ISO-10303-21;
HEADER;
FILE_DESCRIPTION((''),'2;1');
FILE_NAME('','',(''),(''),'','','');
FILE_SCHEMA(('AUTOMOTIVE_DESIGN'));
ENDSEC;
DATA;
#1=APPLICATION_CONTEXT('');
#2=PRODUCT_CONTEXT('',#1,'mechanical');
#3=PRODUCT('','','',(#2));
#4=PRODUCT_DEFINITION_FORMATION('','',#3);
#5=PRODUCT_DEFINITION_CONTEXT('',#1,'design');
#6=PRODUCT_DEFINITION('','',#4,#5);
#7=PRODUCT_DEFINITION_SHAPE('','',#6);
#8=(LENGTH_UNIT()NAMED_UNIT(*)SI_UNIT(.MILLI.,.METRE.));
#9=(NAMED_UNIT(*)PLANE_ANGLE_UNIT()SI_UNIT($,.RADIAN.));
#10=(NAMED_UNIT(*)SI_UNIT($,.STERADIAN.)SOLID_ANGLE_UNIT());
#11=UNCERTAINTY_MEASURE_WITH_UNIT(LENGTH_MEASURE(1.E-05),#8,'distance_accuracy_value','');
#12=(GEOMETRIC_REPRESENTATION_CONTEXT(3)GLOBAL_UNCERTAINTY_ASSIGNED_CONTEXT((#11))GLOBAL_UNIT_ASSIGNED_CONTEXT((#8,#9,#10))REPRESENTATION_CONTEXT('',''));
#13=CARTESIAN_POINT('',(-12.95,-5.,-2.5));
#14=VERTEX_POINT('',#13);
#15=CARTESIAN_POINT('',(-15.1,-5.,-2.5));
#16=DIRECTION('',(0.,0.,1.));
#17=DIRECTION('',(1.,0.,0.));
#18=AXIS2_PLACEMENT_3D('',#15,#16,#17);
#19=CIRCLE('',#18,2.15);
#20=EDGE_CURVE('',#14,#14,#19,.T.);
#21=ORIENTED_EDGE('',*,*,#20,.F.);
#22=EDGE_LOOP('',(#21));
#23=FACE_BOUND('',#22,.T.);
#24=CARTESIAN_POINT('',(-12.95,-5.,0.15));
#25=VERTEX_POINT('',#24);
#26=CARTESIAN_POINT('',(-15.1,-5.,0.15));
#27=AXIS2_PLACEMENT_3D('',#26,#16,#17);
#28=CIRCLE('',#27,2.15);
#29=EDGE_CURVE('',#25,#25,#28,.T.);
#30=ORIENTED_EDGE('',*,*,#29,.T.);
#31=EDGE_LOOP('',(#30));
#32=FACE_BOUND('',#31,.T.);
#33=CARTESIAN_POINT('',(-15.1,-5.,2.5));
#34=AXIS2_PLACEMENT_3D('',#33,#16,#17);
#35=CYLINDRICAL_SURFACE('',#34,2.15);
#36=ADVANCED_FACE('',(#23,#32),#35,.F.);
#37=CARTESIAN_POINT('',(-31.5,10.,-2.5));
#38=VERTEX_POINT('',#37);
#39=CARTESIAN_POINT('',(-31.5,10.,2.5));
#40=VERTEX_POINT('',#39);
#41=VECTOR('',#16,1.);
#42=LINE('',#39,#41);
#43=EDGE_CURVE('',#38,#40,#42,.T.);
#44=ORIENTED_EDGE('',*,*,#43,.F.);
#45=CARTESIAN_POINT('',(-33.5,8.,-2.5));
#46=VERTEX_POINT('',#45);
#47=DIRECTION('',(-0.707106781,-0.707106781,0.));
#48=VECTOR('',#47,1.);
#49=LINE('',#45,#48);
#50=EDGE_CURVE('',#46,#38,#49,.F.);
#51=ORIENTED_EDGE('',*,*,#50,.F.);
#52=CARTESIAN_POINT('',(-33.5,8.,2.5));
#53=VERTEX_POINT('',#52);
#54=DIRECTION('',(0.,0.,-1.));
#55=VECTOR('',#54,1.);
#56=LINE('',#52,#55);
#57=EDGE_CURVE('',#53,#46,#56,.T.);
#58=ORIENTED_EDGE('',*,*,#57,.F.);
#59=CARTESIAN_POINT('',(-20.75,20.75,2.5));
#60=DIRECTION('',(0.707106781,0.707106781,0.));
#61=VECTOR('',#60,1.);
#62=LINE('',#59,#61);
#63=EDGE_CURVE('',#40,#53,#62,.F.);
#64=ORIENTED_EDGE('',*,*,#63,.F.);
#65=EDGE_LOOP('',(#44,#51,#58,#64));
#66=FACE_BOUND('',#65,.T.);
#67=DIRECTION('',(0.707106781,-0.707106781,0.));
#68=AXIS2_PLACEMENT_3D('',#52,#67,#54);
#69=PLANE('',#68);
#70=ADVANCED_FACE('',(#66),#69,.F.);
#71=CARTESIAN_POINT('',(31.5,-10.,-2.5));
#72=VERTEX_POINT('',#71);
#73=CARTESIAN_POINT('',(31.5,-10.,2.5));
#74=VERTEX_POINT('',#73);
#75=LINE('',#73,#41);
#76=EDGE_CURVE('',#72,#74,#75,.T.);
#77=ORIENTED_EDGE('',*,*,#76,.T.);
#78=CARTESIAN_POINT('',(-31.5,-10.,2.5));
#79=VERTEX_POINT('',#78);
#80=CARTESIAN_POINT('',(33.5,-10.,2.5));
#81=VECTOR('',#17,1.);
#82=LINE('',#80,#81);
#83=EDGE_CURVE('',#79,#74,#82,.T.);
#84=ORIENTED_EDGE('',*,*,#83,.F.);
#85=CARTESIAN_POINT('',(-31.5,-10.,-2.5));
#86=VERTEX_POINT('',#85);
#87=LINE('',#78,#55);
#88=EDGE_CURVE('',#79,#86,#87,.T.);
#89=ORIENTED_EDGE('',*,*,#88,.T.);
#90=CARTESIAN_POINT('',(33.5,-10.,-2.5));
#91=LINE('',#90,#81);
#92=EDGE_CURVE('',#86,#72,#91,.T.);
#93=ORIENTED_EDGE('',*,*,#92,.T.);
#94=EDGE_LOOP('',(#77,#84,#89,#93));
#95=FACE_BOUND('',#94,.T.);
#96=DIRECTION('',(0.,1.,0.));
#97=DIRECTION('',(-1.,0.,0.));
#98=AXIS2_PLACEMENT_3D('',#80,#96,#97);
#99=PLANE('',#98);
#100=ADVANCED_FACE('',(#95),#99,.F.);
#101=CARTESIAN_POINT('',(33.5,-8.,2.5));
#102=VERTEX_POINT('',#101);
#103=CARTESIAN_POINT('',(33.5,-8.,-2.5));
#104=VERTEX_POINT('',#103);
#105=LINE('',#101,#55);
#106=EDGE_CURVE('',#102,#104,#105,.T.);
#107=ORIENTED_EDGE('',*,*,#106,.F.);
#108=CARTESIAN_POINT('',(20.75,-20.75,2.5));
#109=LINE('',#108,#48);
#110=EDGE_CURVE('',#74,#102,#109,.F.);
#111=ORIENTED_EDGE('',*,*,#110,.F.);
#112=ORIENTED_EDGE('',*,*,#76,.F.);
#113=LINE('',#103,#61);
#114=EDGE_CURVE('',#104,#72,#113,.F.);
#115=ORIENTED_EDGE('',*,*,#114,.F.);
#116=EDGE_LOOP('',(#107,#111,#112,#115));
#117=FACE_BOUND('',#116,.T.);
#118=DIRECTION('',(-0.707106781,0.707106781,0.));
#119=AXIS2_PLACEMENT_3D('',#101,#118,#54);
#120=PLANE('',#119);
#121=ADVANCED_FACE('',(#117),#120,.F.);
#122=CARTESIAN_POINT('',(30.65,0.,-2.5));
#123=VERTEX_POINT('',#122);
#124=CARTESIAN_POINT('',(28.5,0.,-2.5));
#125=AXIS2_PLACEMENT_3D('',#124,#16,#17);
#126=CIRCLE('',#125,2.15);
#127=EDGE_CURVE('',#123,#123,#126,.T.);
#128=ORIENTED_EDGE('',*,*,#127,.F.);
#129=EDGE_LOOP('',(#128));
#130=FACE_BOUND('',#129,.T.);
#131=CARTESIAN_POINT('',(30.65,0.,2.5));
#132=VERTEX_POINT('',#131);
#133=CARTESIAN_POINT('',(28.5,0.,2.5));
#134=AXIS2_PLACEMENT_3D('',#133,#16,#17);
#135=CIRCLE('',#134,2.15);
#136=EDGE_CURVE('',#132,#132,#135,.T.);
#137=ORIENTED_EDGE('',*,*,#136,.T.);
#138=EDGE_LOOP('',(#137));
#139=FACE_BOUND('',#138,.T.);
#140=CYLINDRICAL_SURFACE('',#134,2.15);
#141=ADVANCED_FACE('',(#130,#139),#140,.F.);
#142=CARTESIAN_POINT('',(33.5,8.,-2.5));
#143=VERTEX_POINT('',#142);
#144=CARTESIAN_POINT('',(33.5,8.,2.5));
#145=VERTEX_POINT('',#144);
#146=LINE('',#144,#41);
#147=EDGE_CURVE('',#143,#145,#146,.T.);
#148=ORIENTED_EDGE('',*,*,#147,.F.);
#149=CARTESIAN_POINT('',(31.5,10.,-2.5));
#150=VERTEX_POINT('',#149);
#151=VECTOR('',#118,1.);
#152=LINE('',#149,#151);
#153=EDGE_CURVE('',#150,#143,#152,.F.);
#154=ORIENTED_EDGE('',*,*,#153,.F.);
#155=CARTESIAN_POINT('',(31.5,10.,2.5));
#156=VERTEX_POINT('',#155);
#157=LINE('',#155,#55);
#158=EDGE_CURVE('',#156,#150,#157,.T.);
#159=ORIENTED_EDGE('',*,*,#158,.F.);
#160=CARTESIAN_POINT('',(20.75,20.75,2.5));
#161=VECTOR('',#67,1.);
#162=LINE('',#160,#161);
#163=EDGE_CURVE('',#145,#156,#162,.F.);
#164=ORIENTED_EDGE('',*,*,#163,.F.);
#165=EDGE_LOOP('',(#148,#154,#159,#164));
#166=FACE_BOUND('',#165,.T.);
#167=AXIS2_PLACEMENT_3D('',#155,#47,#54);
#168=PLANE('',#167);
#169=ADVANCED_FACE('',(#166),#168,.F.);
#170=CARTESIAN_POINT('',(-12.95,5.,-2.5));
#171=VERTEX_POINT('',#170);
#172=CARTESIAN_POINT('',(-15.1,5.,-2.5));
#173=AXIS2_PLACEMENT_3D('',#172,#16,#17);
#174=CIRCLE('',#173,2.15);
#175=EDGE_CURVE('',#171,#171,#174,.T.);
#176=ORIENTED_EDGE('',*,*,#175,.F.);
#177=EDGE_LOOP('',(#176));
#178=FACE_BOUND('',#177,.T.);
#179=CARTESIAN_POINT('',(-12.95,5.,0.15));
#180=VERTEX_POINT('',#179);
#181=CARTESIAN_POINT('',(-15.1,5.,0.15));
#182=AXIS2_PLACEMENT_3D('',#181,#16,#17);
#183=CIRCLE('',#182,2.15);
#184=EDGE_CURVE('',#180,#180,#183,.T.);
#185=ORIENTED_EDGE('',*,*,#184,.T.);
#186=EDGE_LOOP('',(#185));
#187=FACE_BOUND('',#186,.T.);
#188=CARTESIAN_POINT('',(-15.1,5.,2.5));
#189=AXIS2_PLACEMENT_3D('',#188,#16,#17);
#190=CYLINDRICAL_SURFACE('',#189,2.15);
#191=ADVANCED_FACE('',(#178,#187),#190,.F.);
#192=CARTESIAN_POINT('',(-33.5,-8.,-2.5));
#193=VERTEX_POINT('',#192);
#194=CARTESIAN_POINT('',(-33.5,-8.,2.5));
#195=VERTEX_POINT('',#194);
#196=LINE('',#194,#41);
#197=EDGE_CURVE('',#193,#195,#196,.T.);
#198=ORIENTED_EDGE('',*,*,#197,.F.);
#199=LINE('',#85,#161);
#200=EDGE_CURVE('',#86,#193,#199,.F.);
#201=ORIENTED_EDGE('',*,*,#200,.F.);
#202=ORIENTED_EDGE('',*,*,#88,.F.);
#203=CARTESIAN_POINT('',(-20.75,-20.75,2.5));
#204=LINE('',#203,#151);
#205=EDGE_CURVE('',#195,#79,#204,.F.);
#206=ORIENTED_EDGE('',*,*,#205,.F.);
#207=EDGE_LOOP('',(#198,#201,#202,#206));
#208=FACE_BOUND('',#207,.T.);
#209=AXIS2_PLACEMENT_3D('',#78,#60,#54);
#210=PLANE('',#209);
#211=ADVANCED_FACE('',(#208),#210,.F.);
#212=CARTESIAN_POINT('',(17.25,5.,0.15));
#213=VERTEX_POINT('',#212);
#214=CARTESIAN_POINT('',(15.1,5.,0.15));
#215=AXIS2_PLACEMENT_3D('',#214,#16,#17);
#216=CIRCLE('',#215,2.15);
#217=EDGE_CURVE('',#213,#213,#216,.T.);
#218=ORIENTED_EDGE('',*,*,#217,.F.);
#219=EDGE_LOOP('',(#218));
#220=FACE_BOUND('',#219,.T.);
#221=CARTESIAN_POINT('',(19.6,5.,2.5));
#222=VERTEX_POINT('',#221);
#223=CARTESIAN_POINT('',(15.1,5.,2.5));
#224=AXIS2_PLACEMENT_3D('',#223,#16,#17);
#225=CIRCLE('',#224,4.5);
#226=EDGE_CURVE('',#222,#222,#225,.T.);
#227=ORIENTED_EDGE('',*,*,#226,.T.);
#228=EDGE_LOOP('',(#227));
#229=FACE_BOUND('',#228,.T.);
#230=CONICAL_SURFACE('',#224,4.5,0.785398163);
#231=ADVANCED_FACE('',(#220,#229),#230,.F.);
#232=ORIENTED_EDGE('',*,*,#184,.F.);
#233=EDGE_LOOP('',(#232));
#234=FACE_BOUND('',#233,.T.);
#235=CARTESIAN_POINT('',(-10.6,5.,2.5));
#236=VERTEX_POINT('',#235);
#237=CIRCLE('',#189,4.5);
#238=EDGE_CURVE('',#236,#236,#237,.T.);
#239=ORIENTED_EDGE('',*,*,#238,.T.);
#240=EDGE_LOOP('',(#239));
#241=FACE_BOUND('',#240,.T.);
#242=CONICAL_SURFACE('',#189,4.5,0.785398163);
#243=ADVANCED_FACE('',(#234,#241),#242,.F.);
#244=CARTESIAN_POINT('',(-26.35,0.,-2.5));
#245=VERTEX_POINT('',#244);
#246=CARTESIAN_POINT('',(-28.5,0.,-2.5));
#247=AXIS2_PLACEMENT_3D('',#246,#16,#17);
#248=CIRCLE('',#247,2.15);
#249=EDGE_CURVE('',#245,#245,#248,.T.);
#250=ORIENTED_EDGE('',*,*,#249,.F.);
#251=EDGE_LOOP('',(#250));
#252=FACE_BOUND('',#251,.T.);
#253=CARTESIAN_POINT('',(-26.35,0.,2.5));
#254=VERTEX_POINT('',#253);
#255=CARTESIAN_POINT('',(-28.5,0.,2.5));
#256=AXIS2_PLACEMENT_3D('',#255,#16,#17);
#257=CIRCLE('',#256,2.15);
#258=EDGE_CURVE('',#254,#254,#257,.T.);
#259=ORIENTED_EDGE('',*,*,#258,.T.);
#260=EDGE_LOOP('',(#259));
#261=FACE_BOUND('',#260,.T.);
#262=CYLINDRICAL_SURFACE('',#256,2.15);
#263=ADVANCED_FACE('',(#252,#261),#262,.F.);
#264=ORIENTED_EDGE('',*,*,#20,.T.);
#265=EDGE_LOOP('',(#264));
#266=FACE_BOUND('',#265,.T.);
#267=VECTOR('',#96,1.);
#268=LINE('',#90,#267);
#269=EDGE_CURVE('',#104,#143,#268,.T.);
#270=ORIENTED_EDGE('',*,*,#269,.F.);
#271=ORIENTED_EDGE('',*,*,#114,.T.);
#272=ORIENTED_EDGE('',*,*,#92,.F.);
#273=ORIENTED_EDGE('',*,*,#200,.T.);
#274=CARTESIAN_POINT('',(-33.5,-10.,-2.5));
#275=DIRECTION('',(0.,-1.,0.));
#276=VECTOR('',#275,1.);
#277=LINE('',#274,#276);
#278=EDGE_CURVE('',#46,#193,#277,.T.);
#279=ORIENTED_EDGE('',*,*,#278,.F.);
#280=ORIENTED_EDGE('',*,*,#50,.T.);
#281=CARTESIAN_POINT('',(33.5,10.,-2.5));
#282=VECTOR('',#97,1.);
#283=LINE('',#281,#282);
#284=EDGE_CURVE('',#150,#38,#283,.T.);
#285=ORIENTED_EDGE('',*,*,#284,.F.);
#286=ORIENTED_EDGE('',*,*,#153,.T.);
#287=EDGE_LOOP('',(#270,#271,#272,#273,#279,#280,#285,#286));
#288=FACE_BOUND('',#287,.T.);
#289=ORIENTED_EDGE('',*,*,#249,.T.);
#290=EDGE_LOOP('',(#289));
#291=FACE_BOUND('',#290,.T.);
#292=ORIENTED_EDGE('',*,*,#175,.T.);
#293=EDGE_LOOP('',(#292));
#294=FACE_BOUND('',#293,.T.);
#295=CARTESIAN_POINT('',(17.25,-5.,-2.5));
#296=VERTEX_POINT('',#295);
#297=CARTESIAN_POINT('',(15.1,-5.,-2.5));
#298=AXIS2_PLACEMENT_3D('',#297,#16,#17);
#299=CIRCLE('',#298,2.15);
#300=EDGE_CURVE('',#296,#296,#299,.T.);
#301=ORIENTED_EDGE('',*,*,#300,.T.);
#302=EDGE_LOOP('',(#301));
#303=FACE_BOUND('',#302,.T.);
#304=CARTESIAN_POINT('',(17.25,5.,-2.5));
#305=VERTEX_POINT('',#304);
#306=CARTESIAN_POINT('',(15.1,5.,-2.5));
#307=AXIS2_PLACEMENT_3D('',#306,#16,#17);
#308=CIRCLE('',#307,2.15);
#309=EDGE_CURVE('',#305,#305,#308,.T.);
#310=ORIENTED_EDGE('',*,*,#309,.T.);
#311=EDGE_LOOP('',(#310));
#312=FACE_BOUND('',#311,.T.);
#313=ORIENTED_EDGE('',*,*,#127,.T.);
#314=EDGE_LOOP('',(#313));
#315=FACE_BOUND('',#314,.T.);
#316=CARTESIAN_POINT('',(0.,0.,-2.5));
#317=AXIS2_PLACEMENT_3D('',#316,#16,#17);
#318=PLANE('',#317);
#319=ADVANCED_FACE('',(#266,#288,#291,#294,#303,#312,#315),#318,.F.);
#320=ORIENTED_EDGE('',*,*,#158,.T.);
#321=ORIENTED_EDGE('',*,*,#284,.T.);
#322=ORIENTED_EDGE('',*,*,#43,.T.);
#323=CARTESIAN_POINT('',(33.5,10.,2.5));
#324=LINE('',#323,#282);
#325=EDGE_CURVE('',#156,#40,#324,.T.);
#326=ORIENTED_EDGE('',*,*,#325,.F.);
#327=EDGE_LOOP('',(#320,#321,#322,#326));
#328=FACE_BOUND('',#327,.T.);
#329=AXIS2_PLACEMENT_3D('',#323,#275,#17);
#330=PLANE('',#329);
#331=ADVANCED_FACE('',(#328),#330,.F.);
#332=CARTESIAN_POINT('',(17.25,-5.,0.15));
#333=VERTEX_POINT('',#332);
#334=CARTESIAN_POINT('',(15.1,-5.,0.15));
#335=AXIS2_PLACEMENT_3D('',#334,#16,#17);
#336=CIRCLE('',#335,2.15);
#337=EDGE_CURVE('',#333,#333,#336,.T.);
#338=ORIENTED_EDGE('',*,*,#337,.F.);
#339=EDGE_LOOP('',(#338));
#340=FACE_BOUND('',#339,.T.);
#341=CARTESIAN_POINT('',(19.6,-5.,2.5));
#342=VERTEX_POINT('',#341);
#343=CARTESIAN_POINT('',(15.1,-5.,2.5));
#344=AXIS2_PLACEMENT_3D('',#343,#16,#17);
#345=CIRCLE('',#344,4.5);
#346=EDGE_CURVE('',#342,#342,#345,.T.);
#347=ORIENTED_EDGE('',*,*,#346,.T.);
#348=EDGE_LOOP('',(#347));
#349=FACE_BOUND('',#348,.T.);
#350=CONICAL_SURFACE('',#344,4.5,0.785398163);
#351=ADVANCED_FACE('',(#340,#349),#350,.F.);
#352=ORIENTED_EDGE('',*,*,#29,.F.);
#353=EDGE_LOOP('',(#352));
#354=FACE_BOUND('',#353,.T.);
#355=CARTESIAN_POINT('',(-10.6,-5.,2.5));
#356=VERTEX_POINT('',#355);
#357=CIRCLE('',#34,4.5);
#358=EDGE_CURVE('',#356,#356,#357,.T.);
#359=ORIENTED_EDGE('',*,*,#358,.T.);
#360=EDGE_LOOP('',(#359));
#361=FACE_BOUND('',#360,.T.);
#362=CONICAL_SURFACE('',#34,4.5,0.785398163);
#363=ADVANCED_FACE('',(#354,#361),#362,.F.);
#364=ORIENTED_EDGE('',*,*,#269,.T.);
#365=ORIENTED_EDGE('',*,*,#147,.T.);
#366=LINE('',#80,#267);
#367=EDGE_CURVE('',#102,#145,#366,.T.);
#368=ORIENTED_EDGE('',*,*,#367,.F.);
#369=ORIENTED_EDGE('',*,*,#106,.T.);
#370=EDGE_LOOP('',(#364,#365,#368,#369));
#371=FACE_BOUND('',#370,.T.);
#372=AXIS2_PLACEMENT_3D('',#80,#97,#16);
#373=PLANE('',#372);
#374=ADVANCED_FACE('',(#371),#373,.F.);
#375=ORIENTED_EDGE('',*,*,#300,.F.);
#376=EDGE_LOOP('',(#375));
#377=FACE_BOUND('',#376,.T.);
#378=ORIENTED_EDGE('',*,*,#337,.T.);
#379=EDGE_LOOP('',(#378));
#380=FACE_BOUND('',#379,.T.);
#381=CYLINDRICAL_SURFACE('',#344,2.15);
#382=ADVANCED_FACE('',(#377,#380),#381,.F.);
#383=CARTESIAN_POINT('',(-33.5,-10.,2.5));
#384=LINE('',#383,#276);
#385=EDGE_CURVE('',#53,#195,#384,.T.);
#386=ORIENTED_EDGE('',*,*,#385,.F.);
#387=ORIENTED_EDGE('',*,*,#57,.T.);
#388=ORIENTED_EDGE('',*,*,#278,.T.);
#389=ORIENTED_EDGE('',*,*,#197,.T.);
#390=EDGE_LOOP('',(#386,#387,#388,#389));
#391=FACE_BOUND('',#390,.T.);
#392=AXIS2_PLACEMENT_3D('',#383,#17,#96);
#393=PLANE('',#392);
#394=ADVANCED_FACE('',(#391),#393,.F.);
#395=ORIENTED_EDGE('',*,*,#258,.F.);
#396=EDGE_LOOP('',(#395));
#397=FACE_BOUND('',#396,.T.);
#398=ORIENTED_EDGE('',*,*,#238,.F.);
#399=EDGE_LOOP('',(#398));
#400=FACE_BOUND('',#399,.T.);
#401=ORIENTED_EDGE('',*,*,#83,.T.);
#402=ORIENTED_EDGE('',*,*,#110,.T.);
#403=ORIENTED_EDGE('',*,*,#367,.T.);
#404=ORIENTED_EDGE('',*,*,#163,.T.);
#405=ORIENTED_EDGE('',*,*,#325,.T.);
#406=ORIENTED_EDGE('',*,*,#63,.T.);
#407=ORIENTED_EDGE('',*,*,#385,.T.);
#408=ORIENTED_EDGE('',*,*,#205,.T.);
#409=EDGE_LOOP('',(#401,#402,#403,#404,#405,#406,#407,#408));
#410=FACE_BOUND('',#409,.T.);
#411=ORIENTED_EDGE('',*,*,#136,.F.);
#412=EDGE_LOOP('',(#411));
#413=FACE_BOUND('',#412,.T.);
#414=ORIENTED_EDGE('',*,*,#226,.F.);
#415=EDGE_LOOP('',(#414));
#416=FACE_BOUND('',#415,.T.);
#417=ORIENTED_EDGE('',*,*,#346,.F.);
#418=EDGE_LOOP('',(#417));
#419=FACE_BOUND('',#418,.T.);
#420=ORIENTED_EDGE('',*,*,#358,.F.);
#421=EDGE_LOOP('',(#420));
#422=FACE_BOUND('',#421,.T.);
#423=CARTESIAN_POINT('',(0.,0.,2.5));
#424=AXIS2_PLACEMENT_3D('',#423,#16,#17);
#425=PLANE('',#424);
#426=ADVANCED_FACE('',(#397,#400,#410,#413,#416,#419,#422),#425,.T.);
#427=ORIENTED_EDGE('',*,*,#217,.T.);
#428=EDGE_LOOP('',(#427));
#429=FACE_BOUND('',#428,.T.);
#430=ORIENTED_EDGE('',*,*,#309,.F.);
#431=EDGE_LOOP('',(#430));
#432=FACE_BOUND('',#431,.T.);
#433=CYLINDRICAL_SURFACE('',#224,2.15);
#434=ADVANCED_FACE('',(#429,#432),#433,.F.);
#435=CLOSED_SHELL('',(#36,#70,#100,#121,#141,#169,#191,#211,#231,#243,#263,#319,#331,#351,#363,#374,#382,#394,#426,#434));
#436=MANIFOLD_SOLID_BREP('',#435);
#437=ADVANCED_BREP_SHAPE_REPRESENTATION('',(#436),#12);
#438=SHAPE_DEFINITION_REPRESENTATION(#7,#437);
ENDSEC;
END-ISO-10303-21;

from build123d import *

# Parameters (mm, degrees)
SKETCH1_W                                            = 67
SKETCH1_H                                            = 20
BOSS_EXTRUDE1_DEPTH                                  = 2.5
M4_CLEARANCE_HOLE1_D                                 = 4.3
CSK_FOR_M4_HEX_SOCKET_COUNTERSUNK_CAP_SC_D           = 4.3
CSK_FOR_M4_HEX_SOCKET_COUNTERSUNK_CAP_SC_CSINK_D     = 9
CSK_FOR_M4_HEX_SOCKET_COUNTERSUNK_CAP_SC_CSINK_ANGLE = 90
CHAMFER1_SIZE                                        = 2


with BuildPart() as part:
    # Sketch1 → Boss-Extrude1 (new, symmetric)
    with BuildSketch(Plane.XY):
        Rectangle(SKETCH1_W, SKETCH1_H)
    extrude(amount=BOSS_EXTRUDE1_DEPTH, both=True)

    # M4 Clearance Hole1 (through all)
    with Locations(Plane.XY.offset(2.5)):
        with Locations((-28.5, 0), (28.5, 0)):
            Hole(M4_CLEARANCE_HOLE1_D / 2)

    # CSK for M4 Hex Socket Countersunk Cap Screw1 (through all)
    with Locations(Plane.XY.offset(2.5)):
        with Locations((-15.1, -5), (-15.1, 5), (15.1, 5), (15.1, -5)):
            CounterSinkHole(CSK_FOR_M4_HEX_SOCKET_COUNTERSUNK_CAP_SC_D / 2, CSK_FOR_M4_HEX_SOCKET_COUNTERSUNK_CAP_SC_CSINK_D / 2, counter_sink_angle=CSK_FOR_M4_HEX_SOCKET_COUNTERSUNK_CAP_SC_CSINK_ANGLE)

    # Chamfer1
    chamfer1_edges = [part.edges().sort_by_distance(p)[0] for p in [
        (-33.5, 10, 0),
        (33.5, 10, 0),
        (33.5, -10, 0),
        (-33.5, -10, 0),
    ]]
    chamfer(chamfer1_edges, length=CHAMFER1_SIZE)


solid = part.part
